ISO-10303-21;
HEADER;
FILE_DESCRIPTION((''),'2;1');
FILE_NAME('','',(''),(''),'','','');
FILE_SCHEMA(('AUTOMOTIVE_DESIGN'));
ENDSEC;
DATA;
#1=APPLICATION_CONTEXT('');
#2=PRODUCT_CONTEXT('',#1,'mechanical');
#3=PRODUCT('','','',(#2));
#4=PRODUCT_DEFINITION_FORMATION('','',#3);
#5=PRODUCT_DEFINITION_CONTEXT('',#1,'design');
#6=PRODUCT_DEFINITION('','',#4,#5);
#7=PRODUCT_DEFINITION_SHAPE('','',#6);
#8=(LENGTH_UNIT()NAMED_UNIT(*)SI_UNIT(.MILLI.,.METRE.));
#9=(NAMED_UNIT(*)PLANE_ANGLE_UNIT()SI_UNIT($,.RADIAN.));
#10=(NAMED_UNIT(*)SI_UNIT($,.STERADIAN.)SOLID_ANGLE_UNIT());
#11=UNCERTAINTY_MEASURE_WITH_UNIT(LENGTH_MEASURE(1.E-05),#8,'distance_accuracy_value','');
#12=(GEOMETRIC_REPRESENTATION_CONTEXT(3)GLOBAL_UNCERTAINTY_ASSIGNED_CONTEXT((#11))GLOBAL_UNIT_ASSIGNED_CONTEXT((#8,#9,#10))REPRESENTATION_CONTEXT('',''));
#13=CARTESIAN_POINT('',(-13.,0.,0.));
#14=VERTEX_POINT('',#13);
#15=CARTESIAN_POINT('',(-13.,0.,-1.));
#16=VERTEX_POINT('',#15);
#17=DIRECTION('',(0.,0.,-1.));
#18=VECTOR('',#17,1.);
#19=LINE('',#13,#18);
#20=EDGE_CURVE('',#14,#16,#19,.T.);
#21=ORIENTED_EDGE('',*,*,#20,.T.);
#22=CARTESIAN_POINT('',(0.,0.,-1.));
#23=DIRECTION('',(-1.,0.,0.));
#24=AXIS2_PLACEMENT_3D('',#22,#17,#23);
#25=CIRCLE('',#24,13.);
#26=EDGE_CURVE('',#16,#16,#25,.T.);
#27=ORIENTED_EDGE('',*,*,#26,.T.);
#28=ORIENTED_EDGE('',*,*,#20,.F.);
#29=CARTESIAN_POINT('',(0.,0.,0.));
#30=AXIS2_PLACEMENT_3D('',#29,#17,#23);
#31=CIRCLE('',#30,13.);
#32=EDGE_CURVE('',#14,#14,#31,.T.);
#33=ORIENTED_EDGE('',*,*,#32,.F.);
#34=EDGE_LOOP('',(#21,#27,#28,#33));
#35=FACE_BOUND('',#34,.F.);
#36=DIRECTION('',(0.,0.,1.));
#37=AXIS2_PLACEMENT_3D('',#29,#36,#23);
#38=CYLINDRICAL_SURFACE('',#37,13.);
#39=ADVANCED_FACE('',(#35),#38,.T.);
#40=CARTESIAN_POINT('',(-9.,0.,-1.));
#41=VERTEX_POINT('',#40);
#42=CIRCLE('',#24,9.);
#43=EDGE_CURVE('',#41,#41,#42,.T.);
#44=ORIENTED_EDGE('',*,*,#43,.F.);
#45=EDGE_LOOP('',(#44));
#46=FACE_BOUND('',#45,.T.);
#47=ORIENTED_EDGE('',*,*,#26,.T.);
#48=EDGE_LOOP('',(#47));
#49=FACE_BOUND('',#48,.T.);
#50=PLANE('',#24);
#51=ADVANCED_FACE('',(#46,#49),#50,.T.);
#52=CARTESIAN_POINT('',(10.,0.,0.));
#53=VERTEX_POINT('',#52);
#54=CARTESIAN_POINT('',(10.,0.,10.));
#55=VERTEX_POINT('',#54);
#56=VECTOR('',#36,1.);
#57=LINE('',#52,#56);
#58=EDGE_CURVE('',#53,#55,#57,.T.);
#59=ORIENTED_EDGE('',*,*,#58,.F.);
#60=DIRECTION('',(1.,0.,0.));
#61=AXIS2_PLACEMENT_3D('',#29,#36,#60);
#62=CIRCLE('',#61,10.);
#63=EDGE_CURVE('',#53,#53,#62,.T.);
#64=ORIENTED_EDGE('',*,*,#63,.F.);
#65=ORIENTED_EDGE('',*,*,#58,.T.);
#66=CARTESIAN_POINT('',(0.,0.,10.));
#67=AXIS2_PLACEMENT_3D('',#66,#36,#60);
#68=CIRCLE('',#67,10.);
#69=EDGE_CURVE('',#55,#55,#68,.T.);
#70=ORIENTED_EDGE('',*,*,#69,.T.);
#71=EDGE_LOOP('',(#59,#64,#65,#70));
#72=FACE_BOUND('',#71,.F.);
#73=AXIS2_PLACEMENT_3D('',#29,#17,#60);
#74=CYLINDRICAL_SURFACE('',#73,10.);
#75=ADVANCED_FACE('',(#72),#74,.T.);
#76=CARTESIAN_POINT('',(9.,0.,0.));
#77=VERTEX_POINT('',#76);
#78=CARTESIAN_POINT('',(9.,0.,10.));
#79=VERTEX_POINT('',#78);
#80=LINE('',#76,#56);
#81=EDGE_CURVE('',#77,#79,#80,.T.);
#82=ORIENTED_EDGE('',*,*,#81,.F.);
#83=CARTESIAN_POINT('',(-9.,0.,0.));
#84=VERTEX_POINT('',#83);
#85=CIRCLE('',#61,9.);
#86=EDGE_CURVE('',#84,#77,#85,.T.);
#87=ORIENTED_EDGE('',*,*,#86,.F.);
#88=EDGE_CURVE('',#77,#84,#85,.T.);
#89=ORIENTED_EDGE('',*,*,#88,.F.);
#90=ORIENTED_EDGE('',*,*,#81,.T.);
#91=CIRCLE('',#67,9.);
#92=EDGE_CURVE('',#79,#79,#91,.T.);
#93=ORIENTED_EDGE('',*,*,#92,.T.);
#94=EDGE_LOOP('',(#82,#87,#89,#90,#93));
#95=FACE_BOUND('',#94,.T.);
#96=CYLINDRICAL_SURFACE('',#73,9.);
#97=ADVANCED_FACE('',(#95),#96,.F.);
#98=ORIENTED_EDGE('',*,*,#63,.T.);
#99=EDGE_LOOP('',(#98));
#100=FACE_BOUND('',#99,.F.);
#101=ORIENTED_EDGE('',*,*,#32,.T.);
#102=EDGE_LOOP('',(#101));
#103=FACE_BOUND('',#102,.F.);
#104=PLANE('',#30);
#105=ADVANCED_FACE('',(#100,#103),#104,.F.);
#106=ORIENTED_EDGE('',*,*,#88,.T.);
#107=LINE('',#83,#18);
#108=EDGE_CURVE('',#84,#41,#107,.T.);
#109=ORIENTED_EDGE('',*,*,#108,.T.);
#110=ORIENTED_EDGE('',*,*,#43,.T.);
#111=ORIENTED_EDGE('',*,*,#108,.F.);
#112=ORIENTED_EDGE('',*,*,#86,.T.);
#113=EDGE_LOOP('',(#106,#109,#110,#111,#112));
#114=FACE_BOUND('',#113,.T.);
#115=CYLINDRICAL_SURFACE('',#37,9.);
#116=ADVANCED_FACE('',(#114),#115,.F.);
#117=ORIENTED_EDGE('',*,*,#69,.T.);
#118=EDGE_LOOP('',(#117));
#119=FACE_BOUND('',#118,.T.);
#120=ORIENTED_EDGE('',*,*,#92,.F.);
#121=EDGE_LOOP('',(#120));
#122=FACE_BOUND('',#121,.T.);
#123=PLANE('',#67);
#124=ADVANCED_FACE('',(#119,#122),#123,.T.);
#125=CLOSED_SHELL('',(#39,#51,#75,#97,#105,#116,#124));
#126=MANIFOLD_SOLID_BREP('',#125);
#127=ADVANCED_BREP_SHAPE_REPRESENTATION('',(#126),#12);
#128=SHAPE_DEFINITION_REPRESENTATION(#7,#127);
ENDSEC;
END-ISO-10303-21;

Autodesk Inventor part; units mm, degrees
ref_plane "YZ Plane" through (0, 0, 0) normal (1, 0, 0) x (0, 1, 0)
ref_plane "XZ Plane" through (0, 0, 0) normal (0, 1, 0) x (-1, 0, 0)
ref_plane "XY Plane" through (0, 0, 0) normal (0, 0, 1) x (1, 0, 0)
sketch "スケッチ1" plane through (0, 0, 0) normal (0, 0, 1) x (1, 0, 0)
  circle A0 centre (0, 0) radius 9
  circle A1 centre (0, 0) radius 10
  dimension "d0" = 18
  dimension "d1" = 20
extrude "押し出し1" add sketch "スケッチ1" along normal blind 10
sketch "スケッチ2" plane through (0, 0, 0) normal (0, 0, -1) x (-1, 0, 0)
  circle A0 centre (0, 0) radius 9 projected
  circle A1 centre (0, 0) radius 10 projected
  circle A2 centre (0, 0) radius 13
  dimension "d4" = 26
extrude "押し出し2" add sketch "スケッチ2" along normal blind 1 contours A1 | A2
properties part number "オイレスフランジ付き182010" material "アセタール樹脂、黒"
